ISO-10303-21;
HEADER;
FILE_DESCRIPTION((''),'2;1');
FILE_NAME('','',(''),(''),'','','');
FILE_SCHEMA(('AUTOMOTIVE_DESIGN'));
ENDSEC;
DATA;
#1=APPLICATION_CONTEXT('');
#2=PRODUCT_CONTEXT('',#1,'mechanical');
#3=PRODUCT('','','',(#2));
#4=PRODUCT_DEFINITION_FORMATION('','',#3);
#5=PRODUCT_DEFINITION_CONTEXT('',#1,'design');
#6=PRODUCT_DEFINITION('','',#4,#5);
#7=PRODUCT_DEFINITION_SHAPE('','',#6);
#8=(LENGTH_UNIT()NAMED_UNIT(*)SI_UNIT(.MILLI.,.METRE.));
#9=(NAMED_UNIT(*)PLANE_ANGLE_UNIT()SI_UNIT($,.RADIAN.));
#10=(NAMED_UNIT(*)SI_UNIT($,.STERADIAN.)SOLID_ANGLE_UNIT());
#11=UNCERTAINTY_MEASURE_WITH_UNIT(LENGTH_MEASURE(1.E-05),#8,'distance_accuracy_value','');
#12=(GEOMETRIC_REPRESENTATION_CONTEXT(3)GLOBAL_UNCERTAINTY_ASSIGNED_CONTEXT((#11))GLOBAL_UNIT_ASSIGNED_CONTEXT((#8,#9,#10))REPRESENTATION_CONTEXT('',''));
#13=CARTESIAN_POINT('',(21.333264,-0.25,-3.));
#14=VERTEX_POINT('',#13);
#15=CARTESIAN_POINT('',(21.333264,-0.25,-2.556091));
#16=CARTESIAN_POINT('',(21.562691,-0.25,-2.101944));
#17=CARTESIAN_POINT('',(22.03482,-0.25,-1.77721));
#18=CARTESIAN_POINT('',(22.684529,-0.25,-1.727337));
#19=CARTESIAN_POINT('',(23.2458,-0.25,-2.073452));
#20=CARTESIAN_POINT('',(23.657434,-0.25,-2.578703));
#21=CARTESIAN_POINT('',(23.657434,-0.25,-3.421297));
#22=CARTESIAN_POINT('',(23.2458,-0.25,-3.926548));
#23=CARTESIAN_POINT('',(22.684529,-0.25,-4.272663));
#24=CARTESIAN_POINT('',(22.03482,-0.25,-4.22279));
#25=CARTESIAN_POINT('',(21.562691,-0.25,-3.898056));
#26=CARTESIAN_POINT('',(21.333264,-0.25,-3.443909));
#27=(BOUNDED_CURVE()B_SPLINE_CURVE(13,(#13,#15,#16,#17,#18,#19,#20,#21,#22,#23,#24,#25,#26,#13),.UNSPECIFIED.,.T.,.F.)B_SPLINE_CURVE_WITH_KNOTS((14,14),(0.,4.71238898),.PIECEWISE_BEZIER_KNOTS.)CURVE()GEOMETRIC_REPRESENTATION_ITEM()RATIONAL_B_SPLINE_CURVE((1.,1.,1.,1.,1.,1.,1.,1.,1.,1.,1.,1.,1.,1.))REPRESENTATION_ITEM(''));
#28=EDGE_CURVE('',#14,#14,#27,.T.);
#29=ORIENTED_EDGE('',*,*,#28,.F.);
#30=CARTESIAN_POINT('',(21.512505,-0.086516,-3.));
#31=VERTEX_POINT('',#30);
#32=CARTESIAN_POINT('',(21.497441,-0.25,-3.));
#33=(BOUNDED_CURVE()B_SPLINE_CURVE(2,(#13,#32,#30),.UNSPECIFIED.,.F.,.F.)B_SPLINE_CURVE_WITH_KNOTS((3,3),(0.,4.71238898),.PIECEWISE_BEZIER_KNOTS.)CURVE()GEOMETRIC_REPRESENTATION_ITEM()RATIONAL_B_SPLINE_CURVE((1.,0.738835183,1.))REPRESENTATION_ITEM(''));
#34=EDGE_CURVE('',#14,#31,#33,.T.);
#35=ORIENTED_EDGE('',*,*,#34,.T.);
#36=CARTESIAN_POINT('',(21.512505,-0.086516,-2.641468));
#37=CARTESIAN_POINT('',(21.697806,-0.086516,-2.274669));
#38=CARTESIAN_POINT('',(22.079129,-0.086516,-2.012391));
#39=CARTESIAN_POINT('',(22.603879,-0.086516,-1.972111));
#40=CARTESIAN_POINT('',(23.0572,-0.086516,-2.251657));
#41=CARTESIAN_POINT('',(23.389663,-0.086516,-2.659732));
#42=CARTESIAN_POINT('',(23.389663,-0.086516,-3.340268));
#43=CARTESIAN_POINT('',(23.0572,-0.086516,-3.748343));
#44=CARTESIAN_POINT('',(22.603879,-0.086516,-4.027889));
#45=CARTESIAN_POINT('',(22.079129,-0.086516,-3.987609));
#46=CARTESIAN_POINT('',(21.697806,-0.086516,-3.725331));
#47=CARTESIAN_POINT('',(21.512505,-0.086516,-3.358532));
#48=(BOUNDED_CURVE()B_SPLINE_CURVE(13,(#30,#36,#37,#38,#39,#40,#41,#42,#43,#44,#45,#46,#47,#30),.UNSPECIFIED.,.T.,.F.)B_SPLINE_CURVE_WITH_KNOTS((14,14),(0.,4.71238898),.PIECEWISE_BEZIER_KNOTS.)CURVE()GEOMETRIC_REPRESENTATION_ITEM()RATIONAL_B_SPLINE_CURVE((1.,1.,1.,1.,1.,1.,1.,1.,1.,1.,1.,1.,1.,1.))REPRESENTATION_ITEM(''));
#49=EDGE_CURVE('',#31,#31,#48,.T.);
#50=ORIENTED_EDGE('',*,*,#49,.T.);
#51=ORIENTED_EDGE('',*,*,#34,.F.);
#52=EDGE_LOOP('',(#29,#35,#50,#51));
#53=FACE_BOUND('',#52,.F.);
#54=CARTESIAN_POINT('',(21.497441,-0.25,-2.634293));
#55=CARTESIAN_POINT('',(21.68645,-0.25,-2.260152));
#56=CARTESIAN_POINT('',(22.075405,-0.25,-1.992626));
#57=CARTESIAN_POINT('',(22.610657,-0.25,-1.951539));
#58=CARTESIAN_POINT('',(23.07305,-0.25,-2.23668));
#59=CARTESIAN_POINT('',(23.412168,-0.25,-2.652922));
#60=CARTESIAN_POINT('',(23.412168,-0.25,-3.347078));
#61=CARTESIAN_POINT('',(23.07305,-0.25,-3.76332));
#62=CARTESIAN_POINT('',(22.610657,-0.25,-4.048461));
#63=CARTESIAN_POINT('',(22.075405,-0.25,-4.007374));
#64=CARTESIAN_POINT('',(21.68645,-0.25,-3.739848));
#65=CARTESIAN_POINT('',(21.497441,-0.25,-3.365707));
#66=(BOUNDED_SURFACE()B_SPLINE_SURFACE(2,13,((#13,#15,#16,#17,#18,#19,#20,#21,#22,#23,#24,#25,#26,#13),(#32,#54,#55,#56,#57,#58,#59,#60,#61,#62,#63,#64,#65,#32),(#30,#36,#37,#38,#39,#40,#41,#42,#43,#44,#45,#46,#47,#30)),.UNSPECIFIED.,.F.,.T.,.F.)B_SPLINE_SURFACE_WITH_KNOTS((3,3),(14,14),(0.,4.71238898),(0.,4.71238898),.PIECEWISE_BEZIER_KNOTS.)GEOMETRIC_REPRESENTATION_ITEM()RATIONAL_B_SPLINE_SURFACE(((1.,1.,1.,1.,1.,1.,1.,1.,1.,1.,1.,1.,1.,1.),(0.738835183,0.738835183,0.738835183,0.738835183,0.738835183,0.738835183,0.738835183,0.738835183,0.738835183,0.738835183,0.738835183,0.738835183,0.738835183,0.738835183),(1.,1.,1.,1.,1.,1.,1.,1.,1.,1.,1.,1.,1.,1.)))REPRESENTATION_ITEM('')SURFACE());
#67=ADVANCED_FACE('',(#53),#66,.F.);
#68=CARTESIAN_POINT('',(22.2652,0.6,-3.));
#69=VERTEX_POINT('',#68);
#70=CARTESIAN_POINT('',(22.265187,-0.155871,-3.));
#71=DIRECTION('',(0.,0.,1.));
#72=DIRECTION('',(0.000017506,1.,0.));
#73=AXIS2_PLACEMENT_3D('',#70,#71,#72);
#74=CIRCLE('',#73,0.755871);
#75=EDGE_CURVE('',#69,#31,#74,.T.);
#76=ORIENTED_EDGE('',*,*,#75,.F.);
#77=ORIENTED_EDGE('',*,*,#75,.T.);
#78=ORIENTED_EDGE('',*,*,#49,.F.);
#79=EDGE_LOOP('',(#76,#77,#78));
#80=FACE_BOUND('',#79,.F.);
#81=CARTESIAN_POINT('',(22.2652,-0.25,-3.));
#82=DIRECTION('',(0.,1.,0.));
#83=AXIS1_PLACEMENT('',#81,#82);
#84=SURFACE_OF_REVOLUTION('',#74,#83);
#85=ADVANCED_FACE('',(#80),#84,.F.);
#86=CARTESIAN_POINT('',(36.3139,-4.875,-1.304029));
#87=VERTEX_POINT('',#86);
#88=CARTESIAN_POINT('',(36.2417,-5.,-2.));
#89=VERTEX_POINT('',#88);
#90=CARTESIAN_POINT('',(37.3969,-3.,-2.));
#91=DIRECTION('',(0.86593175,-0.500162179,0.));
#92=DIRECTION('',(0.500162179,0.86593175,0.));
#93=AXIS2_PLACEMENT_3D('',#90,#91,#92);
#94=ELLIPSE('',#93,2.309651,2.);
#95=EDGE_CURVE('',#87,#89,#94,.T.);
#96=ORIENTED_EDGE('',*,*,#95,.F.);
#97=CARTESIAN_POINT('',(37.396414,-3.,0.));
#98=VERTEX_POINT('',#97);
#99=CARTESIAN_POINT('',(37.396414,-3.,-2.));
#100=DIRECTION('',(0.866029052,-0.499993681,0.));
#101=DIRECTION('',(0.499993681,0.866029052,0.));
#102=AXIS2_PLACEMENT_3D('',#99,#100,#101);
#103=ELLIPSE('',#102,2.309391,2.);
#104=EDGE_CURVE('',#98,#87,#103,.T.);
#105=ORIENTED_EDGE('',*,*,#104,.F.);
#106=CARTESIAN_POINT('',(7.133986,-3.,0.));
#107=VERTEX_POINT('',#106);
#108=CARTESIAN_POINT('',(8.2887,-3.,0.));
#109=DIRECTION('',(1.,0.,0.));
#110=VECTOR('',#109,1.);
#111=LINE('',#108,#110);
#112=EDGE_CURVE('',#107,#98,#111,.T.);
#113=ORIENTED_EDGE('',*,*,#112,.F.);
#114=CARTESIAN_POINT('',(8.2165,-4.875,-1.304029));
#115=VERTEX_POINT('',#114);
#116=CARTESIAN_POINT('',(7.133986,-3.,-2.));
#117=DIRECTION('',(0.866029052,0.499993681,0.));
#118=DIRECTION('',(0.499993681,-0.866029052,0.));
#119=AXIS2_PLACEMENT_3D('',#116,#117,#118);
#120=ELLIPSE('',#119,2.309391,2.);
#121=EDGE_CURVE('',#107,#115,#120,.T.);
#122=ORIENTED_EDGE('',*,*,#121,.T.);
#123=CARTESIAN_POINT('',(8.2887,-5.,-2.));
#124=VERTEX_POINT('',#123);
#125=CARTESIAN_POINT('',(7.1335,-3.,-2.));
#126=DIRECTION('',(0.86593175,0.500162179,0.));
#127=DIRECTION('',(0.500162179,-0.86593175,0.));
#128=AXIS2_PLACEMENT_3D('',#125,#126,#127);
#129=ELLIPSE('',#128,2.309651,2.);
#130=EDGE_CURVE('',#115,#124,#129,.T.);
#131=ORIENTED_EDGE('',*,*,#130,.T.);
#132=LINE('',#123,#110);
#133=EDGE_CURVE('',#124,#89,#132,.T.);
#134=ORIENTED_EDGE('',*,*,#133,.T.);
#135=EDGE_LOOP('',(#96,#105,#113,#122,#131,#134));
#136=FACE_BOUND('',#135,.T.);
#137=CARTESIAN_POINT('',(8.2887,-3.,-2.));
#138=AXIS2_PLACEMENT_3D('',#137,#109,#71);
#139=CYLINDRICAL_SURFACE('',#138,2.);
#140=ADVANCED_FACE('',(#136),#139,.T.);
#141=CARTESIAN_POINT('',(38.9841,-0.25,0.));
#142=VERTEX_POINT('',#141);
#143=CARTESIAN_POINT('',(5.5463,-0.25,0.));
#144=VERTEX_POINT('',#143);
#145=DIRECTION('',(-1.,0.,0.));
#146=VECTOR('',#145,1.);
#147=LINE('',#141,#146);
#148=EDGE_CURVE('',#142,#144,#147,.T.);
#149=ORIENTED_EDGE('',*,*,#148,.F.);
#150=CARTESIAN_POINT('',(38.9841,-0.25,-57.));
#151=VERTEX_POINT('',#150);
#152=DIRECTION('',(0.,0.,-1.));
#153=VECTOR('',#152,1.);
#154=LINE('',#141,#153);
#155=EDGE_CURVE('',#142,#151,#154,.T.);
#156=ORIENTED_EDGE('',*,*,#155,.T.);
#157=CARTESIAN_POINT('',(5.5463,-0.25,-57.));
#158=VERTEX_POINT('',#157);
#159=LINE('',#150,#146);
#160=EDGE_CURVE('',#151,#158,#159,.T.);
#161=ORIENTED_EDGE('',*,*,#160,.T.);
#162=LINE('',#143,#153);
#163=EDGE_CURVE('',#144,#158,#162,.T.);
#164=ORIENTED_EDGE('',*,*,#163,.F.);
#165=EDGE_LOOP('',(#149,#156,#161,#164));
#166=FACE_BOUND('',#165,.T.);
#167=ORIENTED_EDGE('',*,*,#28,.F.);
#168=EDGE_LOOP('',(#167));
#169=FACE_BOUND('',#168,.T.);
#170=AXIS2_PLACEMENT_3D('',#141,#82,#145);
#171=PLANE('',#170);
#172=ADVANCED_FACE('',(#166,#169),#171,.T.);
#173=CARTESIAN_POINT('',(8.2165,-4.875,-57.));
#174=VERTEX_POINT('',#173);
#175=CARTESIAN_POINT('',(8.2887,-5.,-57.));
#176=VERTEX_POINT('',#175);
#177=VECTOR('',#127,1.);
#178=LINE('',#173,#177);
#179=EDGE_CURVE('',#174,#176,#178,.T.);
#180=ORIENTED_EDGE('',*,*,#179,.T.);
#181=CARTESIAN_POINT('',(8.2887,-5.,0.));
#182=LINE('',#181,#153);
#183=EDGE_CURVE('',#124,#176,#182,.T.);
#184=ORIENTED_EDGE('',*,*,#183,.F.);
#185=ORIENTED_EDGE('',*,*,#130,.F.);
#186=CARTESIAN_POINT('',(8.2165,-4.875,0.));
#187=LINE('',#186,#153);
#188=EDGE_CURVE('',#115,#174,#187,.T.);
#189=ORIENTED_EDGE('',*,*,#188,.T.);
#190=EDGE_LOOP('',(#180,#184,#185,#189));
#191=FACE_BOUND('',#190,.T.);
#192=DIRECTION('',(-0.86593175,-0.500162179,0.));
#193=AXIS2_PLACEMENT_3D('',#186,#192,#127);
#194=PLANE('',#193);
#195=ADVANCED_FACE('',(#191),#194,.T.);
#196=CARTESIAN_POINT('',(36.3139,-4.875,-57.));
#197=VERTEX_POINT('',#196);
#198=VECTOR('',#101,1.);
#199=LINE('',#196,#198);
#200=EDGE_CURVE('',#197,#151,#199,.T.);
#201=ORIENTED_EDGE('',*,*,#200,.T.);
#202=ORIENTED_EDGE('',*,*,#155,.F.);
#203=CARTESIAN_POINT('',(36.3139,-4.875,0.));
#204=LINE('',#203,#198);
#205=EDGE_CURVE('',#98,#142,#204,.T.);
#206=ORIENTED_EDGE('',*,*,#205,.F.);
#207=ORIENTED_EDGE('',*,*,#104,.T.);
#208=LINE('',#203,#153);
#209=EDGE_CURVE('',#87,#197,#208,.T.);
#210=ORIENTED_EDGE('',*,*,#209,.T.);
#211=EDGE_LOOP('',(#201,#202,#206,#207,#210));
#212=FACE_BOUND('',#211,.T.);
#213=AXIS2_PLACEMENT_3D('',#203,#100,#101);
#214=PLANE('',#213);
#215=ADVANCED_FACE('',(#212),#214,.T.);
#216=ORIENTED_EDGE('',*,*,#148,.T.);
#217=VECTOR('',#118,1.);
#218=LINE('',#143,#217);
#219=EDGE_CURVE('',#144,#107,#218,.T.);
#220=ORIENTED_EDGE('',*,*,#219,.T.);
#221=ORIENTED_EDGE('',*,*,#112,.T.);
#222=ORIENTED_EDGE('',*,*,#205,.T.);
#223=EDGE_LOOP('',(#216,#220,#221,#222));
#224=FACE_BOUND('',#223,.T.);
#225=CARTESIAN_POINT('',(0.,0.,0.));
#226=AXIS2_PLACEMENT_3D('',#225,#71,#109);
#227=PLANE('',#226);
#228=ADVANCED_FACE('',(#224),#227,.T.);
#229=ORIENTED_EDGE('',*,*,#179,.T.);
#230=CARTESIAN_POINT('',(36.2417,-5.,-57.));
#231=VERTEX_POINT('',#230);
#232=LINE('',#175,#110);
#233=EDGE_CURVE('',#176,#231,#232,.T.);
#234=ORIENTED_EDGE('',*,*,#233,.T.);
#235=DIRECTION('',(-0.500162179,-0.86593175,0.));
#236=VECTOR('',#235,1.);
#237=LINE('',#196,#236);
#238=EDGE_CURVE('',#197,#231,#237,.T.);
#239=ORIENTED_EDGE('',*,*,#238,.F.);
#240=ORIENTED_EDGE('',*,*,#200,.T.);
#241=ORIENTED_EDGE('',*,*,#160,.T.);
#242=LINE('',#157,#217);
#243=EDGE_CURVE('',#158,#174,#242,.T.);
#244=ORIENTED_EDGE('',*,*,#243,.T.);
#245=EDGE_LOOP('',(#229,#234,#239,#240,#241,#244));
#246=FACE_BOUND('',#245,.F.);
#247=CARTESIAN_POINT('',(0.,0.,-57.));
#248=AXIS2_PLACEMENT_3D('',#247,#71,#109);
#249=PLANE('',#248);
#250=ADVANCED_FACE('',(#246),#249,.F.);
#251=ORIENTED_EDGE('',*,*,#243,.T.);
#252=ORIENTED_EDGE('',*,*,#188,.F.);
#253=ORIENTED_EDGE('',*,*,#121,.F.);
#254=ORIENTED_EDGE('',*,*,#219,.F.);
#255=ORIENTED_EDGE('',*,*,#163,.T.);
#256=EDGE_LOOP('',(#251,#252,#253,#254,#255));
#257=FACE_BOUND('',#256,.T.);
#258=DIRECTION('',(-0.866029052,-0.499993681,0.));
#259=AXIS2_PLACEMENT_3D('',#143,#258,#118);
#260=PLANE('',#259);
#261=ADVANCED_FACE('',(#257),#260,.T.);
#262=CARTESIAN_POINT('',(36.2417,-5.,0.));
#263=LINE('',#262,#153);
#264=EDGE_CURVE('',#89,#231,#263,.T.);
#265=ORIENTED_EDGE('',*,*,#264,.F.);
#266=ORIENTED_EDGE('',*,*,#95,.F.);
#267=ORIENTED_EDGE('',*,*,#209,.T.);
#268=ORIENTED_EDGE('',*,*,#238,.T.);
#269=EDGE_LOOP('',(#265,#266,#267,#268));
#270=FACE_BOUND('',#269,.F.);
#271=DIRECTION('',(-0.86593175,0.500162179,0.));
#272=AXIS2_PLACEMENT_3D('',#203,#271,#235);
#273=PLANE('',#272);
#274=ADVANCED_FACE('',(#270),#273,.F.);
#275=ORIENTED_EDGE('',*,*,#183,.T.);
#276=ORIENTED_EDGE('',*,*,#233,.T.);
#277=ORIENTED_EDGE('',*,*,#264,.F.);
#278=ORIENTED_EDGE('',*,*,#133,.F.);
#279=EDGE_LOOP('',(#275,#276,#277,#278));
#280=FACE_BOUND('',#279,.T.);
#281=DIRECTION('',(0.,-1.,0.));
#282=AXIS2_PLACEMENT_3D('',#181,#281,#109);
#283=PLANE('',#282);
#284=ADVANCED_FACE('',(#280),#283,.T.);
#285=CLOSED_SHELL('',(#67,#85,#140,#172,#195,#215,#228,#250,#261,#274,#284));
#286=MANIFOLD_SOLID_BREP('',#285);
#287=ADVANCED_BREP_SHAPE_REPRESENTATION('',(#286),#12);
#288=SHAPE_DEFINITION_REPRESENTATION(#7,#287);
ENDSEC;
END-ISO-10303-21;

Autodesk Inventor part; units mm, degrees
ref_plane "YZ Plane" through (0, 0, 0) normal (1, 0, 0) x (0, 1, 0)
ref_plane "XZ Plane" through (0, 0, 0) normal (0, 1, 0) x (-1, 0, 0)
sketch "Sketch1" plane through (0, 0, 0) normal (0, 0, 1) x (1, 0, 0)
  line L0 (39.4171, 0) -> (37.6851, -3) projected
  line L1 (6.8453, -3) -> (5.1132, 0) projected
  line L2 (5.1132, 0) -> (39.4171, 0) projected
  line L3 (36.3139, -4.875) -> (38.9841, -0.25)
  line L4 (38.9841, -0.25) -> (5.5463, -0.25)
  line L5 (5.5463, -0.25) -> (8.2165, -4.875)
  line L6 (36.3139, -4.875) -> (36.2417, -5)
  line L7 (8.2165, -4.875) -> (8.2887, -5)
  line L8 (8.2887, -5) -> (36.2417, -5)
  point P0 (0, 0)
  dimension "d0" = 0.25
  dimension "d1" = 4.75
extrude "Extrusion1" add sketch "Sketch1" against normal blind 57
sketch "Sketch2" plane through (5.5463, -0.25, 0) normal (0, 1, 0) x (1, 0, 0)
  circle A0 centre (16.7189, 3) radius 0.922 projected
  point P0 (-5.5463, 0)
ref_plane "Work Plane1" through (22.2652, -0.25, -3) normal (0, 0, 1) x (1, 0, 0)
sketch "Sketch3" plane through (22.2652, -0.25, -3) normal (0, 0, 1) x (1, 0, 0)
  line L0 (-16.7189, 0) -> (16.7189, 0) construction
  line L1 (0, 0) -> (0, 0.85) construction
  arc A0 (0.7775, 0.3597) -> (-0.7775, 0.3597) centre (0, 0.1429) ccw construction
  arc A1 (0, 0.85) -> (-0.75, 0) centre (0, 0.0941) ccw
  line L2 (-0.75, 0) -> (0, 0)
  line L3 (0, 0) -> (0, 0.85)
  point P0 (-22.2652, 0.25)
  dimension "d4" = 0.85
  dimension "d5" = 0.75
revolve "Revolution1" add sketch "Sketch3" angle 360 about axis through (22.2652, -0.25, -3) along (0, 1, 0)
fillet "Fillet1" radius 0.18 1 edges at (23.0152, -0.25, -3)
fillet "Fillet2" radius 2 1 edges at (22.2652, -5, 0)
